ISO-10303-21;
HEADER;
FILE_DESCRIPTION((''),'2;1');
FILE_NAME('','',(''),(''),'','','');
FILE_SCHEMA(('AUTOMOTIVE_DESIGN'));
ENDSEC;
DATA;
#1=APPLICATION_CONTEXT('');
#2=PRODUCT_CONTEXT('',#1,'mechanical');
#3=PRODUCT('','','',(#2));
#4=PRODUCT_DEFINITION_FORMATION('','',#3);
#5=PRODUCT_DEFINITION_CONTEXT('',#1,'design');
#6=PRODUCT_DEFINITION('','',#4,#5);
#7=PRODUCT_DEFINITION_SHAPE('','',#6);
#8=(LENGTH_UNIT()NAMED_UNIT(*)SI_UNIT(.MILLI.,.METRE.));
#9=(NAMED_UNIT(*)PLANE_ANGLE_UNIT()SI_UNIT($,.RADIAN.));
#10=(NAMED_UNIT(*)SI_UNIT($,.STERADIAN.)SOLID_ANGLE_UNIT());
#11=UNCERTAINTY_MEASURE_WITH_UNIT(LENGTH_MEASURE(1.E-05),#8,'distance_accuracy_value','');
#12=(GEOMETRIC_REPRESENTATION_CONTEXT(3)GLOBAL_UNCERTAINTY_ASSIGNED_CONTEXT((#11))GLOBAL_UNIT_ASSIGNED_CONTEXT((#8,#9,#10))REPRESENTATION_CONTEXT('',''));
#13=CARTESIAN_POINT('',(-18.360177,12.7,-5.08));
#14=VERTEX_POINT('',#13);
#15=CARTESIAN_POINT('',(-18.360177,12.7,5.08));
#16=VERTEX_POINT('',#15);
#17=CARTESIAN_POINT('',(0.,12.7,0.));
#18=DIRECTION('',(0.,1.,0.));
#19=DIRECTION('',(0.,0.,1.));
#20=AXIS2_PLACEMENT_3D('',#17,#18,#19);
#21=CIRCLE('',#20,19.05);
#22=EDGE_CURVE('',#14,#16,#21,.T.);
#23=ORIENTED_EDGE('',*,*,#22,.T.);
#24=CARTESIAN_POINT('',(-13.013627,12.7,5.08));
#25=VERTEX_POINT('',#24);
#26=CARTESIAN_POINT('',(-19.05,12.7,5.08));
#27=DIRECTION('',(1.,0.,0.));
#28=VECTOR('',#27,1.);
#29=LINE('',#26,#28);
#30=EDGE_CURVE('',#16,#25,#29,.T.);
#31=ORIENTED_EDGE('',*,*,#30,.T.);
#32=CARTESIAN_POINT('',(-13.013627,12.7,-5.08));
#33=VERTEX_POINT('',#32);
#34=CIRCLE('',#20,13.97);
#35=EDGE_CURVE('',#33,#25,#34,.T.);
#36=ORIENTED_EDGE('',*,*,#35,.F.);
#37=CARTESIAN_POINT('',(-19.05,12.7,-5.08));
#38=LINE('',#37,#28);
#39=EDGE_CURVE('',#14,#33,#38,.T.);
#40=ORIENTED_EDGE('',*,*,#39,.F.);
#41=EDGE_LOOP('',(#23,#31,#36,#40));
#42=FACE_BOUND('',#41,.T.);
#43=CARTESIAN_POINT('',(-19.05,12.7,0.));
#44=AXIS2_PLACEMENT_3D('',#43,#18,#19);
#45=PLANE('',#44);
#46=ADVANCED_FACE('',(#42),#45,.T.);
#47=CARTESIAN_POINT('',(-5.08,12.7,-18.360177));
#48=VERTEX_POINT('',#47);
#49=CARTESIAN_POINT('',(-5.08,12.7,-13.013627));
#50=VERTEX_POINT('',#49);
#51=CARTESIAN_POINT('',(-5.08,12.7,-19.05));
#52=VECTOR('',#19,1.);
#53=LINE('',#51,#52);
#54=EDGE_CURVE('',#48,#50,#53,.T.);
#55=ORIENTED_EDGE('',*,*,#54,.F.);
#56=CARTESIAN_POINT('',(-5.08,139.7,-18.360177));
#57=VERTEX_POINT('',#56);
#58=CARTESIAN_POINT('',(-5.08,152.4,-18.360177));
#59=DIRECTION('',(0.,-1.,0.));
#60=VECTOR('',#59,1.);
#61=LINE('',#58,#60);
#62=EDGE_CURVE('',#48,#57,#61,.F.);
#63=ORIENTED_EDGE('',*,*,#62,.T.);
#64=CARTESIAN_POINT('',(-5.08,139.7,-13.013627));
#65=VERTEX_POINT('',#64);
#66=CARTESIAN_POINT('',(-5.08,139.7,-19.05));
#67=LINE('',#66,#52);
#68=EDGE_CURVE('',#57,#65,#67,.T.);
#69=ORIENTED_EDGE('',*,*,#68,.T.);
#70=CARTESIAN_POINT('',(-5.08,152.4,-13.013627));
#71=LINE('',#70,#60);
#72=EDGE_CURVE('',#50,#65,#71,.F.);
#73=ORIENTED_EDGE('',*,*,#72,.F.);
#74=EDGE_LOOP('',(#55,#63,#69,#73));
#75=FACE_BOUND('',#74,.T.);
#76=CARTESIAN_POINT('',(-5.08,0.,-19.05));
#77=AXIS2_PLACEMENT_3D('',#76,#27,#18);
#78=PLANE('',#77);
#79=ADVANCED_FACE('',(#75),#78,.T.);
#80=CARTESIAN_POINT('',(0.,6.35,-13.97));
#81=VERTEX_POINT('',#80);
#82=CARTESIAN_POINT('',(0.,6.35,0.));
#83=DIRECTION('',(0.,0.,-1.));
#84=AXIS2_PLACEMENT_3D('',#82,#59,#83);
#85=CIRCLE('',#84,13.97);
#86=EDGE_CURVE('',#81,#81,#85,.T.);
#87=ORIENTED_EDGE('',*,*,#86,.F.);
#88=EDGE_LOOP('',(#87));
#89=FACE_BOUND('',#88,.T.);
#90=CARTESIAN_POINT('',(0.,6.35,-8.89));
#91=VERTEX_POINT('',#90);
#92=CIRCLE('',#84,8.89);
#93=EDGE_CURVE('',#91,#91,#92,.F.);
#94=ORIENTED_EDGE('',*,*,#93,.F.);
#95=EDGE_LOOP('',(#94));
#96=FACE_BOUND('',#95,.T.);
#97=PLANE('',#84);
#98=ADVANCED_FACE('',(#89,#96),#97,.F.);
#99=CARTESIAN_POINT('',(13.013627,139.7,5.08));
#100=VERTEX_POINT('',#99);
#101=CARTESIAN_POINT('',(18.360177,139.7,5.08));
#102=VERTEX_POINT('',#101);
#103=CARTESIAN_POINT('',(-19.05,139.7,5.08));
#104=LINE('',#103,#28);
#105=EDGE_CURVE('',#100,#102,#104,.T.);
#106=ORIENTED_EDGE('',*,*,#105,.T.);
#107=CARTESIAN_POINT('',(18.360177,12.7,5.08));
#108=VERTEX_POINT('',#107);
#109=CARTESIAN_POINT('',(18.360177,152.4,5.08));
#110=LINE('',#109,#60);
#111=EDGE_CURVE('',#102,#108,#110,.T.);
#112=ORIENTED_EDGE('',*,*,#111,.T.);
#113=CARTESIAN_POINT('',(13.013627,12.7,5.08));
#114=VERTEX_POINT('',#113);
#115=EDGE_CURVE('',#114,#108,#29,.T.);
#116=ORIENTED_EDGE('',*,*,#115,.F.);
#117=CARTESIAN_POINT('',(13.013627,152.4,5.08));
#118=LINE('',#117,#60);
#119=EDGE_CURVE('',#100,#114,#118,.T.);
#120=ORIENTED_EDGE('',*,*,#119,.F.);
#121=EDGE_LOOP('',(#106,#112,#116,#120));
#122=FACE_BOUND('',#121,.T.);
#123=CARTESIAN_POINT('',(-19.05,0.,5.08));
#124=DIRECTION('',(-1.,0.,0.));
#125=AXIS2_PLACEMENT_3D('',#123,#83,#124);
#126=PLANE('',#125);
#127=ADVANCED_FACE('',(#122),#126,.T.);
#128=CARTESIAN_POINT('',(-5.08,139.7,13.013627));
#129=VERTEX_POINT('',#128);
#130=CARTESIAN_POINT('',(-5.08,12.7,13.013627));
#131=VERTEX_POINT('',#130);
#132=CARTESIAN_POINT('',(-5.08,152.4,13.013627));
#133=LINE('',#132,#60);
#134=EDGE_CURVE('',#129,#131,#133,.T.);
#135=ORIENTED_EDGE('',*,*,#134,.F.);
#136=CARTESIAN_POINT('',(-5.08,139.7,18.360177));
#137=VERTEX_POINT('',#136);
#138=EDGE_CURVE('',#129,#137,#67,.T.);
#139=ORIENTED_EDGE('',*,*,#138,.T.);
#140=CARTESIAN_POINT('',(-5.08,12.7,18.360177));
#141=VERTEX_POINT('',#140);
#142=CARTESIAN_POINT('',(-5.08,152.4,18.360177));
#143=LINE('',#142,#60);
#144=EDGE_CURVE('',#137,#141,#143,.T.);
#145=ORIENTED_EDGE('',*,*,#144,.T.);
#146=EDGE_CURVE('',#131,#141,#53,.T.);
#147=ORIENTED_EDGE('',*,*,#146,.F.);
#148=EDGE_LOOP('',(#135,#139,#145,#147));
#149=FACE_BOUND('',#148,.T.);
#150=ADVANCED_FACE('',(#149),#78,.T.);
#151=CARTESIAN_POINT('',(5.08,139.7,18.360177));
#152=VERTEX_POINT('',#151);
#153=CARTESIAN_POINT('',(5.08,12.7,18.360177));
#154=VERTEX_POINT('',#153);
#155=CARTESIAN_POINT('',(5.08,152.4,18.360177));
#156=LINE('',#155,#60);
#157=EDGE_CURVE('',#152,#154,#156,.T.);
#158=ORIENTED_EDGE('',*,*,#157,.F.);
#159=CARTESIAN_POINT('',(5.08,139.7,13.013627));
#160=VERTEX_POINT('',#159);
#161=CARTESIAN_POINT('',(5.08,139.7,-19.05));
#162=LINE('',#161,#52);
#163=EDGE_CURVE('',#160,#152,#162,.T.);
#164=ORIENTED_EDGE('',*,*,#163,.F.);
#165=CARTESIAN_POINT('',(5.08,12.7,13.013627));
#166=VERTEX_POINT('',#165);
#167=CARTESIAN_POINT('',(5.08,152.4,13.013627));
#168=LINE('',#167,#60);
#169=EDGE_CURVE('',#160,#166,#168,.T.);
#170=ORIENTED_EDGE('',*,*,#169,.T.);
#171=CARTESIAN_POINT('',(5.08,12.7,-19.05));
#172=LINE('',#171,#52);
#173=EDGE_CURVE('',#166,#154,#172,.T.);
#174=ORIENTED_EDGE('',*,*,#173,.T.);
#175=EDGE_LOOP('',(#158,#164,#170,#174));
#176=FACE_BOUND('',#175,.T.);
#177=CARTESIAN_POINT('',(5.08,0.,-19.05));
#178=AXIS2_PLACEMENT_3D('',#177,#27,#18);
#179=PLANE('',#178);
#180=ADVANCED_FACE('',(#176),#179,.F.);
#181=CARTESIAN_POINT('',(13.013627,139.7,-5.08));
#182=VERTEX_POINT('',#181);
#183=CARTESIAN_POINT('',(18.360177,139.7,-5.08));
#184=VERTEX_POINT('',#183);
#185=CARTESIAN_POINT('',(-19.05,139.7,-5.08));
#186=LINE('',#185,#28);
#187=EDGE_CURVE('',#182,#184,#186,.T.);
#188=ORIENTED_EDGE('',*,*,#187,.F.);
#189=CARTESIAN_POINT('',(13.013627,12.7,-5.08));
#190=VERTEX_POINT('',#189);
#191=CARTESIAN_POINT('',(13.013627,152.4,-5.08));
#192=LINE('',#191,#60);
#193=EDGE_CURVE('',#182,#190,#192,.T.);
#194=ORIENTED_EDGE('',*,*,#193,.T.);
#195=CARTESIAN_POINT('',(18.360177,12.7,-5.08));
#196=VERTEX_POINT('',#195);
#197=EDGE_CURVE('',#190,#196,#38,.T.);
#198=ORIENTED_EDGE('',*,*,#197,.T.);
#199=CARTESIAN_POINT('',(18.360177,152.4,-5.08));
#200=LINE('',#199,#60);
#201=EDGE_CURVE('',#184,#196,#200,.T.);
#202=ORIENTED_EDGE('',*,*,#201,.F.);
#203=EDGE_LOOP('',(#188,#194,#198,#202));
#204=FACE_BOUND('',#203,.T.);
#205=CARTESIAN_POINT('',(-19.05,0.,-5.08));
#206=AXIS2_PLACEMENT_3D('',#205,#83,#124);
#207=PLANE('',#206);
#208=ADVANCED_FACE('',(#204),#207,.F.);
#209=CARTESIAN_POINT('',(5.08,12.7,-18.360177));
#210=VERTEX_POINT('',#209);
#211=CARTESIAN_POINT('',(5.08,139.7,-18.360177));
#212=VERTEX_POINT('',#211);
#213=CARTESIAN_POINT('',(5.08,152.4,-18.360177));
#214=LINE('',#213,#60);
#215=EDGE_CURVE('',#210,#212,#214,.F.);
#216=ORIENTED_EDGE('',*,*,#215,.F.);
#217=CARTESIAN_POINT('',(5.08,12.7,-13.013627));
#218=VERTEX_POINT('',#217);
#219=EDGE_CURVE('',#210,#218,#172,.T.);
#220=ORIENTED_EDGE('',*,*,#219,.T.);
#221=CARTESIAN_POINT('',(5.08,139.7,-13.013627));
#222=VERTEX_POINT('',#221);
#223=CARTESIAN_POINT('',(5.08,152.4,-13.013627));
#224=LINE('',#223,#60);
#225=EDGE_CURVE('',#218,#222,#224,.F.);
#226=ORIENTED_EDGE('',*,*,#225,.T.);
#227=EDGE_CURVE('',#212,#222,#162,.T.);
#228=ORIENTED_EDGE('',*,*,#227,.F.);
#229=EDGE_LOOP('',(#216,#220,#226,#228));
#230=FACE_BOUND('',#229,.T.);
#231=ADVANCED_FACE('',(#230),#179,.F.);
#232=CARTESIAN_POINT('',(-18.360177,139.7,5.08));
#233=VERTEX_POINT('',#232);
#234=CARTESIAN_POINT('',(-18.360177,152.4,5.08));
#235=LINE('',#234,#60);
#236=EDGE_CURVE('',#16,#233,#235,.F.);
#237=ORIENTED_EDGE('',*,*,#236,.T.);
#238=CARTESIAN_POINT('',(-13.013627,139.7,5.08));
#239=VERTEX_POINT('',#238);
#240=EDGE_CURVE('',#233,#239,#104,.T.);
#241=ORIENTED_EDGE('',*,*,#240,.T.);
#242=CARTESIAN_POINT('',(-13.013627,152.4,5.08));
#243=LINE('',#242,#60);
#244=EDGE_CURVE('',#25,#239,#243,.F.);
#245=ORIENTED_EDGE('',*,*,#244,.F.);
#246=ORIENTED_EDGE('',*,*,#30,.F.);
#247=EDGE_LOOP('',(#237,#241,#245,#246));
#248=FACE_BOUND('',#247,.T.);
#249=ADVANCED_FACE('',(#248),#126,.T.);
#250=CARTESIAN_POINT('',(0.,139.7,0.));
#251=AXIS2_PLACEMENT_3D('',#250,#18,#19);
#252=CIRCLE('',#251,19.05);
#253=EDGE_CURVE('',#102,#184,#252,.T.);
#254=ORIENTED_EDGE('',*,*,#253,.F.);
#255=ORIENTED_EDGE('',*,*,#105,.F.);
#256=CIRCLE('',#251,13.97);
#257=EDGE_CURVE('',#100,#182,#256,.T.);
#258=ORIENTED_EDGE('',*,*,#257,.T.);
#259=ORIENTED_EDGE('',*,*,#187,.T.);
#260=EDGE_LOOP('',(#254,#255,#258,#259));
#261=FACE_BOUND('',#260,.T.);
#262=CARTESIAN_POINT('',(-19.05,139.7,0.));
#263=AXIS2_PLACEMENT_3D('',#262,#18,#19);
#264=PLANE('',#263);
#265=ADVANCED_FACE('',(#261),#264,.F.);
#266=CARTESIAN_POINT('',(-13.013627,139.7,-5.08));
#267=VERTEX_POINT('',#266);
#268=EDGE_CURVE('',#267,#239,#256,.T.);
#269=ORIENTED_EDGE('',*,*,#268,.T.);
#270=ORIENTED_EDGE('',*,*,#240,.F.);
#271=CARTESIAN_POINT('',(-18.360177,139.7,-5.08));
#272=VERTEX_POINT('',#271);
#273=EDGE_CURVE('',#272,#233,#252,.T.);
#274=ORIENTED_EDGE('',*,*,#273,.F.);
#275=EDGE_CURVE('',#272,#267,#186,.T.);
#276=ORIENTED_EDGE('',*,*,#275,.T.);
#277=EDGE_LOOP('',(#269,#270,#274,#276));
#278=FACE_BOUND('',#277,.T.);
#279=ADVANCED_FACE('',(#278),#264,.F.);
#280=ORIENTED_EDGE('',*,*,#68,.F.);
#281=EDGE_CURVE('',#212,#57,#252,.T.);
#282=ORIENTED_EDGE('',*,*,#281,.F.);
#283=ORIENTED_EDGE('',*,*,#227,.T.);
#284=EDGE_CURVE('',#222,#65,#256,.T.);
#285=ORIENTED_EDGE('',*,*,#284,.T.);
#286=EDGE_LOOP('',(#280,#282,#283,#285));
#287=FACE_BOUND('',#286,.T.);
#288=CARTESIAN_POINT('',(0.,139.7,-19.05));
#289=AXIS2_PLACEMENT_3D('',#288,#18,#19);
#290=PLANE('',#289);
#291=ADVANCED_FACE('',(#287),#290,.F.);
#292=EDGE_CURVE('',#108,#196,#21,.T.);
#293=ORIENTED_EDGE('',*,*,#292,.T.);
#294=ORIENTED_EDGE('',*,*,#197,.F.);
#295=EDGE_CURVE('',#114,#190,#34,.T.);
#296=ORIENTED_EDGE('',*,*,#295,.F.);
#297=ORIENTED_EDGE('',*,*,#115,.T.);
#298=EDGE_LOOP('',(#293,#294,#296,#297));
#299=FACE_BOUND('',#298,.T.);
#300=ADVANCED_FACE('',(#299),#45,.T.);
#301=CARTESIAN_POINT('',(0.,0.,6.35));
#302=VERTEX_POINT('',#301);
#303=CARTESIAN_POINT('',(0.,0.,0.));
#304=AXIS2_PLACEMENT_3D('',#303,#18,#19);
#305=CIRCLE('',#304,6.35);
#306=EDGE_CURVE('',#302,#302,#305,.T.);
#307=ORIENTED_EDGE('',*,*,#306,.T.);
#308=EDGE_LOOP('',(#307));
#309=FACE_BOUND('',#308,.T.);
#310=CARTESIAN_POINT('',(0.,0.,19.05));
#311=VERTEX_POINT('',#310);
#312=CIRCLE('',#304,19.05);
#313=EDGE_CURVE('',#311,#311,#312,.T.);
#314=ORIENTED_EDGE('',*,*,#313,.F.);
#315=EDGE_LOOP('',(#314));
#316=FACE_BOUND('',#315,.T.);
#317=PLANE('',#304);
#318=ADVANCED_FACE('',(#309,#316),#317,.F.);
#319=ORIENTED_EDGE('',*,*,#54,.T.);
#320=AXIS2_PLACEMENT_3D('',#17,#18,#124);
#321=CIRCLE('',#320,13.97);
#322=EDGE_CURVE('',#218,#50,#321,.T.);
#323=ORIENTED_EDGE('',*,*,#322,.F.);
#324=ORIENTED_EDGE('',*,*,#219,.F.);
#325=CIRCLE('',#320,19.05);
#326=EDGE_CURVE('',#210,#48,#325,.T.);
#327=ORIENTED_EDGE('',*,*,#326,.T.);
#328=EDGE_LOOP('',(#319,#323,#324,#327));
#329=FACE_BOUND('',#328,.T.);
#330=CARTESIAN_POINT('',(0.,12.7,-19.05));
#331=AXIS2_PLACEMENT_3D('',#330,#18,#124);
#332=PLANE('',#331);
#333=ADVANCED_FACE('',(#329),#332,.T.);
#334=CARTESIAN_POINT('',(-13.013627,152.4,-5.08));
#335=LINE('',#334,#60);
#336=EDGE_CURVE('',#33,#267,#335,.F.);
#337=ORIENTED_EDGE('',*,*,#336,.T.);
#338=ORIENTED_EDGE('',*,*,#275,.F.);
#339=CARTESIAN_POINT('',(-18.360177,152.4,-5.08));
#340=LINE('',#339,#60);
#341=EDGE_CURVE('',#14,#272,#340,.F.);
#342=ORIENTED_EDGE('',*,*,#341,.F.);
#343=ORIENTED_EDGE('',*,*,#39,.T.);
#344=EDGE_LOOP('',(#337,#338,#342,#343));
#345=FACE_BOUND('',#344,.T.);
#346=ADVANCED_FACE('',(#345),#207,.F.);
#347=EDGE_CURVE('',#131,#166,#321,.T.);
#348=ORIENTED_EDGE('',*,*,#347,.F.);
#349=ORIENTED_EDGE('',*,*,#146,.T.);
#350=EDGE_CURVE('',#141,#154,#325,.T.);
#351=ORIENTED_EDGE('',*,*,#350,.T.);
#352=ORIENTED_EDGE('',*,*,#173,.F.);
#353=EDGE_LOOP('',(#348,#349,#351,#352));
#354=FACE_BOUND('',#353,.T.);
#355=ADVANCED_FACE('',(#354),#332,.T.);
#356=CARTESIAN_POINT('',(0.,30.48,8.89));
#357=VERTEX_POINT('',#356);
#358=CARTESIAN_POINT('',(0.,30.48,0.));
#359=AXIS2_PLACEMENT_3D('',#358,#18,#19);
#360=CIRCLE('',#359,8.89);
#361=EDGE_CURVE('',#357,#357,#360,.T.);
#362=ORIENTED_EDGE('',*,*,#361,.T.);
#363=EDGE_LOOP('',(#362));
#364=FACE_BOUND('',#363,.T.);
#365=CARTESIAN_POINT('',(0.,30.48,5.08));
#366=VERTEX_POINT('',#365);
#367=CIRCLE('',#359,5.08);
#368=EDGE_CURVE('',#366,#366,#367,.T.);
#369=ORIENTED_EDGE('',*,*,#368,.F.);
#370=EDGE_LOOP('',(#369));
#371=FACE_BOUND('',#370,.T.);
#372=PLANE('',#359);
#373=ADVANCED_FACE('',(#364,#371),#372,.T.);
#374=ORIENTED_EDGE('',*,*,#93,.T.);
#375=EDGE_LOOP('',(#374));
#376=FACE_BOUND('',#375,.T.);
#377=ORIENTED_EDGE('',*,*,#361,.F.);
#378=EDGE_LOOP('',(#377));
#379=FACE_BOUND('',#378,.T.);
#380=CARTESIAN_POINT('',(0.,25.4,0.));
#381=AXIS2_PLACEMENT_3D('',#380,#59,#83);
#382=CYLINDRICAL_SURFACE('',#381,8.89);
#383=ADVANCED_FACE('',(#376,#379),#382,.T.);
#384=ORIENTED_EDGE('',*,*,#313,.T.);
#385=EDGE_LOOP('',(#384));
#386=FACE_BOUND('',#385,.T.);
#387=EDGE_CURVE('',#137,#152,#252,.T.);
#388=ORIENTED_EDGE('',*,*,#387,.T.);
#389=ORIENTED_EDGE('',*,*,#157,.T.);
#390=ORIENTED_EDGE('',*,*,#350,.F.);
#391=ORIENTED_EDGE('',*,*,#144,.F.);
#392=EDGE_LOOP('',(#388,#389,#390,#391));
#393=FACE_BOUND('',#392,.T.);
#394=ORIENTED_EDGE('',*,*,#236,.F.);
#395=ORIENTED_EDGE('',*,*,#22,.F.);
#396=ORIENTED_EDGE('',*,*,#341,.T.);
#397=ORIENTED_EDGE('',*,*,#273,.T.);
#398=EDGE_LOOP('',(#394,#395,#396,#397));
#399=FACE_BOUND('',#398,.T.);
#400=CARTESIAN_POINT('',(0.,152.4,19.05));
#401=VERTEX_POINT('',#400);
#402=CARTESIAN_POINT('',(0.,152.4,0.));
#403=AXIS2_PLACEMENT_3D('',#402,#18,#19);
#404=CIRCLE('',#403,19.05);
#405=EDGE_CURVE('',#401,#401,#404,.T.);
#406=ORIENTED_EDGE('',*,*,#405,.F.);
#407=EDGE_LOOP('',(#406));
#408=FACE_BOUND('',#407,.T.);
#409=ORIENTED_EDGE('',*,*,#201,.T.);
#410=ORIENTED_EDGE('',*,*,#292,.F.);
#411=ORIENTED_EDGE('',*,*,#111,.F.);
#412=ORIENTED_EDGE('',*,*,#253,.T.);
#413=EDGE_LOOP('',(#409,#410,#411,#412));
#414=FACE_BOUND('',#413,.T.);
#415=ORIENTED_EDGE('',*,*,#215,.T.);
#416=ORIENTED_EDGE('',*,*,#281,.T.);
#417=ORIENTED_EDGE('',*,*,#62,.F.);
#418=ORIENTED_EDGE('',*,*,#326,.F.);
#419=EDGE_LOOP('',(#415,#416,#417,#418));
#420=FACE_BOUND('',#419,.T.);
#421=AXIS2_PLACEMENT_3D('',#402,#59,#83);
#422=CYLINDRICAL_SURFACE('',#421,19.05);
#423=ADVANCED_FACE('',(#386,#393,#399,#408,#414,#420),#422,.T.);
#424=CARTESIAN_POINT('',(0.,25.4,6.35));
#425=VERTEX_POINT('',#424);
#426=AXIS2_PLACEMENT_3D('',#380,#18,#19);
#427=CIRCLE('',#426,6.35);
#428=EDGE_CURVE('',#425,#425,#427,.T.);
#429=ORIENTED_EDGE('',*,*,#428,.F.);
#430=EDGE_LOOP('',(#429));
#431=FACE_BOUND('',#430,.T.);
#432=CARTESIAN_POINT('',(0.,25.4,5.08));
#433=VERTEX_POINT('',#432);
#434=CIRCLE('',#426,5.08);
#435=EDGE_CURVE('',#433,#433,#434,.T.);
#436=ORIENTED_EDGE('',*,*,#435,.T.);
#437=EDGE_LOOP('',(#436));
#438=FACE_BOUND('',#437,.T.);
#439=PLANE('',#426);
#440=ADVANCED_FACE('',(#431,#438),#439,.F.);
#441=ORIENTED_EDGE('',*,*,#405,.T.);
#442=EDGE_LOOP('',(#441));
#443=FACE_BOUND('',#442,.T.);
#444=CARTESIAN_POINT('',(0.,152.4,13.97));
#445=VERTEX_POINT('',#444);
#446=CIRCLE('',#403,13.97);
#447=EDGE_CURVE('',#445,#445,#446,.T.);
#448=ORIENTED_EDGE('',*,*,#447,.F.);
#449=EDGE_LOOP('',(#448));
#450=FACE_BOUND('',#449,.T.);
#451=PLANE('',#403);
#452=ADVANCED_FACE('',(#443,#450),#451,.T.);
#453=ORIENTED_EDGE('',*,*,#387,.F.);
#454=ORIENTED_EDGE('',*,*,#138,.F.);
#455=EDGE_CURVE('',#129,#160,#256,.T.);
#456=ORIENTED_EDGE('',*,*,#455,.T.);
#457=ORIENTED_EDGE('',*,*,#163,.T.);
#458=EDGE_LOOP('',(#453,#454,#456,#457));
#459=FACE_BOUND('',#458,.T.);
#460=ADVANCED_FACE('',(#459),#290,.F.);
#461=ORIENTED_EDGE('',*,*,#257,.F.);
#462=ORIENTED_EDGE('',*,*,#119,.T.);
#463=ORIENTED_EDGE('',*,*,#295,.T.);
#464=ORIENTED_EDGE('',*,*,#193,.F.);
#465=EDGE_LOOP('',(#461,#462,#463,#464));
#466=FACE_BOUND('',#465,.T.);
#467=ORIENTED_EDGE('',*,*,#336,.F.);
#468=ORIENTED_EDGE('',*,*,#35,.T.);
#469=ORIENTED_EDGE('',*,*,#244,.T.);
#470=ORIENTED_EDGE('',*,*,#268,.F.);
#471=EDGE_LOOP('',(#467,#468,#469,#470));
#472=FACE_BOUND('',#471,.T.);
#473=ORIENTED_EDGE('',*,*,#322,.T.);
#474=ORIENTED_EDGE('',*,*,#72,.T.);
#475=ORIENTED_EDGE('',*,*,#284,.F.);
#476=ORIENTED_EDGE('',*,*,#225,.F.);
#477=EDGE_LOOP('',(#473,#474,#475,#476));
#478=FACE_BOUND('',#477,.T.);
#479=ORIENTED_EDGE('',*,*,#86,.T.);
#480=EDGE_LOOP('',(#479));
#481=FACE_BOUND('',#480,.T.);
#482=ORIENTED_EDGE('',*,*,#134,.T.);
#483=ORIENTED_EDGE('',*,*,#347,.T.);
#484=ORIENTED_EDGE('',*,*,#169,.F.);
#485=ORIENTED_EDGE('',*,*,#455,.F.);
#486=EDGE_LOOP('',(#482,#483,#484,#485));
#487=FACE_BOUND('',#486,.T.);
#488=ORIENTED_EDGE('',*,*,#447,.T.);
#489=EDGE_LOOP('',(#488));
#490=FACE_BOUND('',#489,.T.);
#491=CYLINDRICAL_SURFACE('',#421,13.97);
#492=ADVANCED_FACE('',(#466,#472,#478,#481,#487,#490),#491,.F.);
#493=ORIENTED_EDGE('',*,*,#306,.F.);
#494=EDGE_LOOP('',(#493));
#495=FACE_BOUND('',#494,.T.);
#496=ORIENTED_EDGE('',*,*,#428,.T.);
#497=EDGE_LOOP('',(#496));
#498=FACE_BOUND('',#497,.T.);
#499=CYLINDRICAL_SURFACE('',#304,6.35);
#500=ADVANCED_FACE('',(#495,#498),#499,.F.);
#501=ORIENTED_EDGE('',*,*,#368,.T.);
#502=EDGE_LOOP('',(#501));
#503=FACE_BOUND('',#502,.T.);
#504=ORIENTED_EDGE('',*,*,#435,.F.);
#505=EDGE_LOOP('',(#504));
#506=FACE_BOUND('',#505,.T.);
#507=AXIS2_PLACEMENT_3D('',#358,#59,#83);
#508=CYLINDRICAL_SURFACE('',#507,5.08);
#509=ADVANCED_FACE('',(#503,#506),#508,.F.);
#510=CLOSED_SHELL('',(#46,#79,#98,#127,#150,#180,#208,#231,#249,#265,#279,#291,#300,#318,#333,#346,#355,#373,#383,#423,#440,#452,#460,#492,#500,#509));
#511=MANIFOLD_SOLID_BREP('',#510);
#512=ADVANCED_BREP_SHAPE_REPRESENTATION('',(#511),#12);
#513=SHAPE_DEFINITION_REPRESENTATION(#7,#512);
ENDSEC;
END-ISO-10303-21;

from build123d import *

# Parameters (mm, degrees)
SKETCH1_R               = 19.05
SKETCH1_R_2             = 13.97
BOSS_EXTRUDE1_DEPTH     = 152.4
SKETCH2_R               = 13.97
BOSS_EXTRUDE2_DEPTH     = 6.35
SKETCH3_R               = 2.2479
CUT_EXTRUDE1_DEPTH      = 3.54
CUT_EXTRUDE1_DEPTH_BACK = 36.56
SKETCH5_W               = 10.16
SKETCH5_H               = 127
CUT_EXTRUDE5_DEPTH      = 20.0500001
CUT_EXTRUDE5_DEPTH_BACK = 20.0500001
SKETCH8_W               = 10.16
SKETCH8_H               = 127
CUT_EXTRUDE6_DEPTH      = 20.050000101
CUT_EXTRUDE6_DEPTH_BACK = 20.050000101
SKETCH7_R               = 6.35
CUT_EXTRUDE4_DEPTH      = 7.35
SKETCH9_R               = 8.89
SKETCH9_R_2             = 6.35
BOSS_EXTRUDE3_DEPTH     = 19.05
SKETCH10_R              = 8.89
SKETCH10_R_2            = 5.08
BOSS_EXTRUDE4_DEPTH     = 5.08


with BuildPart() as part:
    # Sketch1 → Boss-Extrude1 (new body)
    with BuildSketch(Plane(origin=(0, 0, 0), x_dir=(1, 0, 0), z_dir=(0, 1, 0))):
        Circle(SKETCH1_R)
        Circle(SKETCH1_R_2, mode=Mode.SUBTRACT)
    extrude(amount=BOSS_EXTRUDE1_DEPTH)

    # Sketch2 → Boss-Extrude2 (add)
    with BuildSketch(Plane.XZ):
        Circle(SKETCH2_R)
    extrude(amount=-BOSS_EXTRUDE2_DEPTH)

    # Sketch3 → Cut-Extrude1 (cut, two sides)
    with BuildSketch(Plane.XY.offset(16.51)) as cut_extrude1_sk:
        with Locations((0, 101.6)):
            Circle(SKETCH3_R)
    extrude(amount=CUT_EXTRUDE1_DEPTH, mode=Mode.SUBTRACT)
    extrude(cut_extrude1_sk.sketch, amount=-CUT_EXTRUDE1_DEPTH_BACK, mode=Mode.SUBTRACT)

    # Sketch5 → Cut-Extrude5 (cut, two sides)
    with BuildSketch(Plane(origin=(0, 0, 0), x_dir=(0, 0, -1), z_dir=(1, 0, 0))) as cut_extrude5_sk:
        with Locations((0, 76.2)):
            Rectangle(SKETCH5_W, SKETCH5_H)
    extrude(amount=CUT_EXTRUDE5_DEPTH, mode=Mode.SUBTRACT)
    extrude(cut_extrude5_sk.sketch, amount=-CUT_EXTRUDE5_DEPTH_BACK, mode=Mode.SUBTRACT)

    # Sketch8 → Cut-Extrude6 (cut, two sides)
    with BuildSketch(Plane.XY) as cut_extrude6_sk:
        with Locations((0, 76.2)):
            Rectangle(SKETCH8_W, SKETCH8_H)
    extrude(amount=CUT_EXTRUDE6_DEPTH, mode=Mode.SUBTRACT)
    extrude(cut_extrude6_sk.sketch, amount=-CUT_EXTRUDE6_DEPTH_BACK, mode=Mode.SUBTRACT)

    # Sketch7 → Cut-Extrude4 (cut, through all)
    with BuildSketch(Plane(origin=(0, 6.35, 0), x_dir=(1, 0, 0), z_dir=(0, 1, 0))):
        Circle(SKETCH7_R)
    extrude(amount=-CUT_EXTRUDE4_DEPTH, mode=Mode.SUBTRACT)

    # Sketch9 → Boss-Extrude3 (add)
    with BuildSketch(Plane(origin=(0, 6.35, 0), x_dir=(1, 0, 0), z_dir=(0, 1, 0))):
        Circle(SKETCH9_R)
        Circle(SKETCH9_R_2, mode=Mode.SUBTRACT)
    extrude(amount=BOSS_EXTRUDE3_DEPTH)

    # Sketch10 → Boss-Extrude4 (add)
    with BuildSketch(Plane(origin=(0, 25.4, 0), x_dir=(1, 0, 0), z_dir=(0, 1, 0))):
        Circle(SKETCH10_R)
        Circle(SKETCH10_R_2, mode=Mode.SUBTRACT)
    extrude(amount=BOSS_EXTRUDE4_DEPTH)


solid = part.part
